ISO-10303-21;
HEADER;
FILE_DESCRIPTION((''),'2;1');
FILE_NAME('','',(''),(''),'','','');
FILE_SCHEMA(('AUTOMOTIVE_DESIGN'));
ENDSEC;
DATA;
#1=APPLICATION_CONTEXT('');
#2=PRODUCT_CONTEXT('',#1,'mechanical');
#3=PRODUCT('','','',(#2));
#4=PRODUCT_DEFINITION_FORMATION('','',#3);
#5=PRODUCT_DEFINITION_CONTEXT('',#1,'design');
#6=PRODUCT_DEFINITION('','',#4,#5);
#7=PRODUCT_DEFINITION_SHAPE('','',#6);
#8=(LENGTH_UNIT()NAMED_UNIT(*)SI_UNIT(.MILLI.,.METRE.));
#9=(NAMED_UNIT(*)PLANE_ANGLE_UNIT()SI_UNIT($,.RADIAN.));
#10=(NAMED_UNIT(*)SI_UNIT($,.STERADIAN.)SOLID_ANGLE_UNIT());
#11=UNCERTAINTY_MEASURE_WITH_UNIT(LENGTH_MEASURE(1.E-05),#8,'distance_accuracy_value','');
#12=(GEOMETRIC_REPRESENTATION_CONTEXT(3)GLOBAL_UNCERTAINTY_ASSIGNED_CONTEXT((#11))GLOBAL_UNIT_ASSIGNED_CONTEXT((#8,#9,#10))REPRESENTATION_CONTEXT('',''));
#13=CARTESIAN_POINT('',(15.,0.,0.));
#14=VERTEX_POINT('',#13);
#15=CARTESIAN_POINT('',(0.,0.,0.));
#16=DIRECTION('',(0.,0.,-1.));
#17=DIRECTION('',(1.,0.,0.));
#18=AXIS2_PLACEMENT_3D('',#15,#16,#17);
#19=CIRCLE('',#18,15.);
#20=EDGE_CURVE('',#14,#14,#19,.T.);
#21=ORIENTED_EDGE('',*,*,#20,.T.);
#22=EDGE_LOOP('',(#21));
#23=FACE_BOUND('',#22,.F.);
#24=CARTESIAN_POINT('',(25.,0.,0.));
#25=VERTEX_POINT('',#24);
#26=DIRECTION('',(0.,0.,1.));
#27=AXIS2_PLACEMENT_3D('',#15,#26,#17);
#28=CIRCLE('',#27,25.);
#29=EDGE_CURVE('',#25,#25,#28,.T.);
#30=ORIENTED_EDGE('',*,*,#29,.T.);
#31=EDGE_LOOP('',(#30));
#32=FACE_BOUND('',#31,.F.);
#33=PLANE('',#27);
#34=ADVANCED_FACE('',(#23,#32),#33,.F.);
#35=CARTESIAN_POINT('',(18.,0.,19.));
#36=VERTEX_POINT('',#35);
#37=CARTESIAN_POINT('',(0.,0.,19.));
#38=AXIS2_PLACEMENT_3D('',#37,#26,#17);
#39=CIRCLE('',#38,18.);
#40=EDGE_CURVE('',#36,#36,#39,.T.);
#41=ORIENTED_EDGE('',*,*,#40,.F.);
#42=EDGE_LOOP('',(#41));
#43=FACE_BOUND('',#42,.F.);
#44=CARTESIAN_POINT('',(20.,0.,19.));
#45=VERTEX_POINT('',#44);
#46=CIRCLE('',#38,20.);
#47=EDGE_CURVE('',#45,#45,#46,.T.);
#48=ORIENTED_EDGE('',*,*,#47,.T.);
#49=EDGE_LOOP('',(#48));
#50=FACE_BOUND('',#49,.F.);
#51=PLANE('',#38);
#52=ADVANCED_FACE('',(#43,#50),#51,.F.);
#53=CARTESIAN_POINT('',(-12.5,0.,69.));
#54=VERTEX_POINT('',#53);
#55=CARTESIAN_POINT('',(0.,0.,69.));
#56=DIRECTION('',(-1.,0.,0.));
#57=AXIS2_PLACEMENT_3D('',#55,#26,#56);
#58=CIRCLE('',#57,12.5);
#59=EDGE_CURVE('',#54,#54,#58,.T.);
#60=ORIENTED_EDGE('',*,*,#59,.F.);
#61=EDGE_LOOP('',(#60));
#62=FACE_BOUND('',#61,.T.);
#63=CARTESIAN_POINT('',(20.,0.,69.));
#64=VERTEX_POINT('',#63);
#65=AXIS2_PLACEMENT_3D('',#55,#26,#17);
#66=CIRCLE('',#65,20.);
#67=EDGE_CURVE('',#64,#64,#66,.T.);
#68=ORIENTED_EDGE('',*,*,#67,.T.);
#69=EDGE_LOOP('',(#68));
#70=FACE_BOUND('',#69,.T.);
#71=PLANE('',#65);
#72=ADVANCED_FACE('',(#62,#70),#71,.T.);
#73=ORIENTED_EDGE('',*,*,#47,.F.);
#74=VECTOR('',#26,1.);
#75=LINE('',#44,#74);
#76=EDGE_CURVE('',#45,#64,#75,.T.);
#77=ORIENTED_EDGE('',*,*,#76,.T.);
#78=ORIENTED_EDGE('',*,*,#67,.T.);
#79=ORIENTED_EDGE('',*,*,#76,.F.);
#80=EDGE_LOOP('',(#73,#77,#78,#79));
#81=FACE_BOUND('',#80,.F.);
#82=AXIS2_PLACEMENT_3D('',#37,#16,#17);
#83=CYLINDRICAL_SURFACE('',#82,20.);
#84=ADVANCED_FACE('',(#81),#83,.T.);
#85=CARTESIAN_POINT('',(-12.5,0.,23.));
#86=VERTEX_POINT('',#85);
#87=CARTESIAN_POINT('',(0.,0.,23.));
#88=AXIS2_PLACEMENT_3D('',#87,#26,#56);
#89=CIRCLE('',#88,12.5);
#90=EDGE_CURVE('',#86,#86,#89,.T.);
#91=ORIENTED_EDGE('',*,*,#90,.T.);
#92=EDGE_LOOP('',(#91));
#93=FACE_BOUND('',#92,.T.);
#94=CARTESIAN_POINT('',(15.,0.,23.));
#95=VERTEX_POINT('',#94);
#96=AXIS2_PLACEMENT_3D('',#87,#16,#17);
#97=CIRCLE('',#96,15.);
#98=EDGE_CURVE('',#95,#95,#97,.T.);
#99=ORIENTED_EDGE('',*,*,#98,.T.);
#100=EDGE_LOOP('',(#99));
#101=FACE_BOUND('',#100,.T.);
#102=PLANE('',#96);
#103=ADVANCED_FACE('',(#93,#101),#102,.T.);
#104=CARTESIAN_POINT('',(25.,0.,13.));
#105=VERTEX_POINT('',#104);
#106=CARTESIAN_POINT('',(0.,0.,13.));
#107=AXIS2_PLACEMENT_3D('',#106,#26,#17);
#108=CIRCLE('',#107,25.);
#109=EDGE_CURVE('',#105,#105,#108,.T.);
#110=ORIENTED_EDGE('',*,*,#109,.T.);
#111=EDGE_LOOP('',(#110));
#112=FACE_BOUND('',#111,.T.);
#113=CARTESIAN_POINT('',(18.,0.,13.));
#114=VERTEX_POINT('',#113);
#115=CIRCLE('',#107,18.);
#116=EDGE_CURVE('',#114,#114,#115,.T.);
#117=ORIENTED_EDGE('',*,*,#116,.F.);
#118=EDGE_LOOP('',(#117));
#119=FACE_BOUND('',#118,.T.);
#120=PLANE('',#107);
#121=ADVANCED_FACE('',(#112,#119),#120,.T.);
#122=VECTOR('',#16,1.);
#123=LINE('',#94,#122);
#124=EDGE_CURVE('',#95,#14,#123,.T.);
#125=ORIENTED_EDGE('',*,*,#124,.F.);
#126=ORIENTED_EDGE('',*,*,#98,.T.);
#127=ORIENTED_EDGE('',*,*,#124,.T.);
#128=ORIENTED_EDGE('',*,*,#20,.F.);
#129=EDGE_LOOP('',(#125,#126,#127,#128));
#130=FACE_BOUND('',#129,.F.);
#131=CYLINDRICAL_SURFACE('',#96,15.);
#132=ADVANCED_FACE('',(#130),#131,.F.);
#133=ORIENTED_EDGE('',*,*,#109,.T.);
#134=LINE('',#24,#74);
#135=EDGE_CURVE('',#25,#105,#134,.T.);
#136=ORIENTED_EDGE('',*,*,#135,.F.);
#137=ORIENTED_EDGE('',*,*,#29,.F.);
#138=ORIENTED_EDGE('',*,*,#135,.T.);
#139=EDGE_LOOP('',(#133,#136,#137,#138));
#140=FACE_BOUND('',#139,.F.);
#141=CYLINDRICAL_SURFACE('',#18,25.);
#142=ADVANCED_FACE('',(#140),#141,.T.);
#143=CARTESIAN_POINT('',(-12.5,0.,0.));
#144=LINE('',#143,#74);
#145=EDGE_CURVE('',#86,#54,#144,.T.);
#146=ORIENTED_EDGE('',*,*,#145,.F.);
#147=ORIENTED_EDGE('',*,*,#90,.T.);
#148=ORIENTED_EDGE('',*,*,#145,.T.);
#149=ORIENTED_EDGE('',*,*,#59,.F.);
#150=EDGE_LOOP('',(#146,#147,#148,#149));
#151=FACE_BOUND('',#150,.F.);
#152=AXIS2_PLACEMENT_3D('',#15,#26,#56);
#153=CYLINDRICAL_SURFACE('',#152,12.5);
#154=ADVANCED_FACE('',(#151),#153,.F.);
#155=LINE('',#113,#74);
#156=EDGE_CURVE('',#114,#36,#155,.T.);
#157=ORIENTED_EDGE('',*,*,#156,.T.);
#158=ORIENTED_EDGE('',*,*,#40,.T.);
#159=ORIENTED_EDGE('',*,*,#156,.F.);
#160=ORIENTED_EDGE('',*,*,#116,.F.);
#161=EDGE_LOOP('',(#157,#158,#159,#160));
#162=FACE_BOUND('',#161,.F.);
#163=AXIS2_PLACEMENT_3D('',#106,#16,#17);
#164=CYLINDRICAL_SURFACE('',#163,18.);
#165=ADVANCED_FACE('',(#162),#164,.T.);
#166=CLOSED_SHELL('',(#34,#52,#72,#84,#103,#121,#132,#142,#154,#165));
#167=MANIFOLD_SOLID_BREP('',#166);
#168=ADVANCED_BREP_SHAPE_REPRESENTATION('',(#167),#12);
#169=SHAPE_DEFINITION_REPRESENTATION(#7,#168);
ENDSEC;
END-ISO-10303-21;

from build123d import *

# Parameters (mm, degrees)
F0_R           = 25
F1_DEPTH       = 13
F2_R           = 18
F3_DEPTH       = 6
F4_R           = 20
F4_R_2         = 18
F5_DEPTH       = 50
F7_D           = 25
F7_CBORE_D     = 30
F7_CBORE_DEPTH = 23


with BuildPart() as f1:
    # F0 (on Top) → F1 (new body)
    with BuildSketch(Plane.XY):
        Circle(F0_R)
    extrude(amount=F1_DEPTH)

    # F2 (on face) → F3 (join)
    with BuildSketch(Plane.XY.offset(13)):
        Circle(F2_R)
    extrude(amount=F3_DEPTH)

    # F4 (on face) → F5 (join)
    with BuildSketch(Plane.XY.offset(19)):
        Circle(F4_R)
        Circle(F4_R_2, mode=Mode.SUBTRACT)
        Circle(F4_R_2)
    extrude(amount=F5_DEPTH)

    # F7 (through all)
    with Locations(Plane(origin=(0, 0, 0), x_dir=(1, 0, 0), z_dir=(0, 0, -1))):
        with Locations((0, 0)):
            CounterBoreHole(F7_D / 2, F7_CBORE_D / 2, F7_CBORE_DEPTH)


solid = f1.part
